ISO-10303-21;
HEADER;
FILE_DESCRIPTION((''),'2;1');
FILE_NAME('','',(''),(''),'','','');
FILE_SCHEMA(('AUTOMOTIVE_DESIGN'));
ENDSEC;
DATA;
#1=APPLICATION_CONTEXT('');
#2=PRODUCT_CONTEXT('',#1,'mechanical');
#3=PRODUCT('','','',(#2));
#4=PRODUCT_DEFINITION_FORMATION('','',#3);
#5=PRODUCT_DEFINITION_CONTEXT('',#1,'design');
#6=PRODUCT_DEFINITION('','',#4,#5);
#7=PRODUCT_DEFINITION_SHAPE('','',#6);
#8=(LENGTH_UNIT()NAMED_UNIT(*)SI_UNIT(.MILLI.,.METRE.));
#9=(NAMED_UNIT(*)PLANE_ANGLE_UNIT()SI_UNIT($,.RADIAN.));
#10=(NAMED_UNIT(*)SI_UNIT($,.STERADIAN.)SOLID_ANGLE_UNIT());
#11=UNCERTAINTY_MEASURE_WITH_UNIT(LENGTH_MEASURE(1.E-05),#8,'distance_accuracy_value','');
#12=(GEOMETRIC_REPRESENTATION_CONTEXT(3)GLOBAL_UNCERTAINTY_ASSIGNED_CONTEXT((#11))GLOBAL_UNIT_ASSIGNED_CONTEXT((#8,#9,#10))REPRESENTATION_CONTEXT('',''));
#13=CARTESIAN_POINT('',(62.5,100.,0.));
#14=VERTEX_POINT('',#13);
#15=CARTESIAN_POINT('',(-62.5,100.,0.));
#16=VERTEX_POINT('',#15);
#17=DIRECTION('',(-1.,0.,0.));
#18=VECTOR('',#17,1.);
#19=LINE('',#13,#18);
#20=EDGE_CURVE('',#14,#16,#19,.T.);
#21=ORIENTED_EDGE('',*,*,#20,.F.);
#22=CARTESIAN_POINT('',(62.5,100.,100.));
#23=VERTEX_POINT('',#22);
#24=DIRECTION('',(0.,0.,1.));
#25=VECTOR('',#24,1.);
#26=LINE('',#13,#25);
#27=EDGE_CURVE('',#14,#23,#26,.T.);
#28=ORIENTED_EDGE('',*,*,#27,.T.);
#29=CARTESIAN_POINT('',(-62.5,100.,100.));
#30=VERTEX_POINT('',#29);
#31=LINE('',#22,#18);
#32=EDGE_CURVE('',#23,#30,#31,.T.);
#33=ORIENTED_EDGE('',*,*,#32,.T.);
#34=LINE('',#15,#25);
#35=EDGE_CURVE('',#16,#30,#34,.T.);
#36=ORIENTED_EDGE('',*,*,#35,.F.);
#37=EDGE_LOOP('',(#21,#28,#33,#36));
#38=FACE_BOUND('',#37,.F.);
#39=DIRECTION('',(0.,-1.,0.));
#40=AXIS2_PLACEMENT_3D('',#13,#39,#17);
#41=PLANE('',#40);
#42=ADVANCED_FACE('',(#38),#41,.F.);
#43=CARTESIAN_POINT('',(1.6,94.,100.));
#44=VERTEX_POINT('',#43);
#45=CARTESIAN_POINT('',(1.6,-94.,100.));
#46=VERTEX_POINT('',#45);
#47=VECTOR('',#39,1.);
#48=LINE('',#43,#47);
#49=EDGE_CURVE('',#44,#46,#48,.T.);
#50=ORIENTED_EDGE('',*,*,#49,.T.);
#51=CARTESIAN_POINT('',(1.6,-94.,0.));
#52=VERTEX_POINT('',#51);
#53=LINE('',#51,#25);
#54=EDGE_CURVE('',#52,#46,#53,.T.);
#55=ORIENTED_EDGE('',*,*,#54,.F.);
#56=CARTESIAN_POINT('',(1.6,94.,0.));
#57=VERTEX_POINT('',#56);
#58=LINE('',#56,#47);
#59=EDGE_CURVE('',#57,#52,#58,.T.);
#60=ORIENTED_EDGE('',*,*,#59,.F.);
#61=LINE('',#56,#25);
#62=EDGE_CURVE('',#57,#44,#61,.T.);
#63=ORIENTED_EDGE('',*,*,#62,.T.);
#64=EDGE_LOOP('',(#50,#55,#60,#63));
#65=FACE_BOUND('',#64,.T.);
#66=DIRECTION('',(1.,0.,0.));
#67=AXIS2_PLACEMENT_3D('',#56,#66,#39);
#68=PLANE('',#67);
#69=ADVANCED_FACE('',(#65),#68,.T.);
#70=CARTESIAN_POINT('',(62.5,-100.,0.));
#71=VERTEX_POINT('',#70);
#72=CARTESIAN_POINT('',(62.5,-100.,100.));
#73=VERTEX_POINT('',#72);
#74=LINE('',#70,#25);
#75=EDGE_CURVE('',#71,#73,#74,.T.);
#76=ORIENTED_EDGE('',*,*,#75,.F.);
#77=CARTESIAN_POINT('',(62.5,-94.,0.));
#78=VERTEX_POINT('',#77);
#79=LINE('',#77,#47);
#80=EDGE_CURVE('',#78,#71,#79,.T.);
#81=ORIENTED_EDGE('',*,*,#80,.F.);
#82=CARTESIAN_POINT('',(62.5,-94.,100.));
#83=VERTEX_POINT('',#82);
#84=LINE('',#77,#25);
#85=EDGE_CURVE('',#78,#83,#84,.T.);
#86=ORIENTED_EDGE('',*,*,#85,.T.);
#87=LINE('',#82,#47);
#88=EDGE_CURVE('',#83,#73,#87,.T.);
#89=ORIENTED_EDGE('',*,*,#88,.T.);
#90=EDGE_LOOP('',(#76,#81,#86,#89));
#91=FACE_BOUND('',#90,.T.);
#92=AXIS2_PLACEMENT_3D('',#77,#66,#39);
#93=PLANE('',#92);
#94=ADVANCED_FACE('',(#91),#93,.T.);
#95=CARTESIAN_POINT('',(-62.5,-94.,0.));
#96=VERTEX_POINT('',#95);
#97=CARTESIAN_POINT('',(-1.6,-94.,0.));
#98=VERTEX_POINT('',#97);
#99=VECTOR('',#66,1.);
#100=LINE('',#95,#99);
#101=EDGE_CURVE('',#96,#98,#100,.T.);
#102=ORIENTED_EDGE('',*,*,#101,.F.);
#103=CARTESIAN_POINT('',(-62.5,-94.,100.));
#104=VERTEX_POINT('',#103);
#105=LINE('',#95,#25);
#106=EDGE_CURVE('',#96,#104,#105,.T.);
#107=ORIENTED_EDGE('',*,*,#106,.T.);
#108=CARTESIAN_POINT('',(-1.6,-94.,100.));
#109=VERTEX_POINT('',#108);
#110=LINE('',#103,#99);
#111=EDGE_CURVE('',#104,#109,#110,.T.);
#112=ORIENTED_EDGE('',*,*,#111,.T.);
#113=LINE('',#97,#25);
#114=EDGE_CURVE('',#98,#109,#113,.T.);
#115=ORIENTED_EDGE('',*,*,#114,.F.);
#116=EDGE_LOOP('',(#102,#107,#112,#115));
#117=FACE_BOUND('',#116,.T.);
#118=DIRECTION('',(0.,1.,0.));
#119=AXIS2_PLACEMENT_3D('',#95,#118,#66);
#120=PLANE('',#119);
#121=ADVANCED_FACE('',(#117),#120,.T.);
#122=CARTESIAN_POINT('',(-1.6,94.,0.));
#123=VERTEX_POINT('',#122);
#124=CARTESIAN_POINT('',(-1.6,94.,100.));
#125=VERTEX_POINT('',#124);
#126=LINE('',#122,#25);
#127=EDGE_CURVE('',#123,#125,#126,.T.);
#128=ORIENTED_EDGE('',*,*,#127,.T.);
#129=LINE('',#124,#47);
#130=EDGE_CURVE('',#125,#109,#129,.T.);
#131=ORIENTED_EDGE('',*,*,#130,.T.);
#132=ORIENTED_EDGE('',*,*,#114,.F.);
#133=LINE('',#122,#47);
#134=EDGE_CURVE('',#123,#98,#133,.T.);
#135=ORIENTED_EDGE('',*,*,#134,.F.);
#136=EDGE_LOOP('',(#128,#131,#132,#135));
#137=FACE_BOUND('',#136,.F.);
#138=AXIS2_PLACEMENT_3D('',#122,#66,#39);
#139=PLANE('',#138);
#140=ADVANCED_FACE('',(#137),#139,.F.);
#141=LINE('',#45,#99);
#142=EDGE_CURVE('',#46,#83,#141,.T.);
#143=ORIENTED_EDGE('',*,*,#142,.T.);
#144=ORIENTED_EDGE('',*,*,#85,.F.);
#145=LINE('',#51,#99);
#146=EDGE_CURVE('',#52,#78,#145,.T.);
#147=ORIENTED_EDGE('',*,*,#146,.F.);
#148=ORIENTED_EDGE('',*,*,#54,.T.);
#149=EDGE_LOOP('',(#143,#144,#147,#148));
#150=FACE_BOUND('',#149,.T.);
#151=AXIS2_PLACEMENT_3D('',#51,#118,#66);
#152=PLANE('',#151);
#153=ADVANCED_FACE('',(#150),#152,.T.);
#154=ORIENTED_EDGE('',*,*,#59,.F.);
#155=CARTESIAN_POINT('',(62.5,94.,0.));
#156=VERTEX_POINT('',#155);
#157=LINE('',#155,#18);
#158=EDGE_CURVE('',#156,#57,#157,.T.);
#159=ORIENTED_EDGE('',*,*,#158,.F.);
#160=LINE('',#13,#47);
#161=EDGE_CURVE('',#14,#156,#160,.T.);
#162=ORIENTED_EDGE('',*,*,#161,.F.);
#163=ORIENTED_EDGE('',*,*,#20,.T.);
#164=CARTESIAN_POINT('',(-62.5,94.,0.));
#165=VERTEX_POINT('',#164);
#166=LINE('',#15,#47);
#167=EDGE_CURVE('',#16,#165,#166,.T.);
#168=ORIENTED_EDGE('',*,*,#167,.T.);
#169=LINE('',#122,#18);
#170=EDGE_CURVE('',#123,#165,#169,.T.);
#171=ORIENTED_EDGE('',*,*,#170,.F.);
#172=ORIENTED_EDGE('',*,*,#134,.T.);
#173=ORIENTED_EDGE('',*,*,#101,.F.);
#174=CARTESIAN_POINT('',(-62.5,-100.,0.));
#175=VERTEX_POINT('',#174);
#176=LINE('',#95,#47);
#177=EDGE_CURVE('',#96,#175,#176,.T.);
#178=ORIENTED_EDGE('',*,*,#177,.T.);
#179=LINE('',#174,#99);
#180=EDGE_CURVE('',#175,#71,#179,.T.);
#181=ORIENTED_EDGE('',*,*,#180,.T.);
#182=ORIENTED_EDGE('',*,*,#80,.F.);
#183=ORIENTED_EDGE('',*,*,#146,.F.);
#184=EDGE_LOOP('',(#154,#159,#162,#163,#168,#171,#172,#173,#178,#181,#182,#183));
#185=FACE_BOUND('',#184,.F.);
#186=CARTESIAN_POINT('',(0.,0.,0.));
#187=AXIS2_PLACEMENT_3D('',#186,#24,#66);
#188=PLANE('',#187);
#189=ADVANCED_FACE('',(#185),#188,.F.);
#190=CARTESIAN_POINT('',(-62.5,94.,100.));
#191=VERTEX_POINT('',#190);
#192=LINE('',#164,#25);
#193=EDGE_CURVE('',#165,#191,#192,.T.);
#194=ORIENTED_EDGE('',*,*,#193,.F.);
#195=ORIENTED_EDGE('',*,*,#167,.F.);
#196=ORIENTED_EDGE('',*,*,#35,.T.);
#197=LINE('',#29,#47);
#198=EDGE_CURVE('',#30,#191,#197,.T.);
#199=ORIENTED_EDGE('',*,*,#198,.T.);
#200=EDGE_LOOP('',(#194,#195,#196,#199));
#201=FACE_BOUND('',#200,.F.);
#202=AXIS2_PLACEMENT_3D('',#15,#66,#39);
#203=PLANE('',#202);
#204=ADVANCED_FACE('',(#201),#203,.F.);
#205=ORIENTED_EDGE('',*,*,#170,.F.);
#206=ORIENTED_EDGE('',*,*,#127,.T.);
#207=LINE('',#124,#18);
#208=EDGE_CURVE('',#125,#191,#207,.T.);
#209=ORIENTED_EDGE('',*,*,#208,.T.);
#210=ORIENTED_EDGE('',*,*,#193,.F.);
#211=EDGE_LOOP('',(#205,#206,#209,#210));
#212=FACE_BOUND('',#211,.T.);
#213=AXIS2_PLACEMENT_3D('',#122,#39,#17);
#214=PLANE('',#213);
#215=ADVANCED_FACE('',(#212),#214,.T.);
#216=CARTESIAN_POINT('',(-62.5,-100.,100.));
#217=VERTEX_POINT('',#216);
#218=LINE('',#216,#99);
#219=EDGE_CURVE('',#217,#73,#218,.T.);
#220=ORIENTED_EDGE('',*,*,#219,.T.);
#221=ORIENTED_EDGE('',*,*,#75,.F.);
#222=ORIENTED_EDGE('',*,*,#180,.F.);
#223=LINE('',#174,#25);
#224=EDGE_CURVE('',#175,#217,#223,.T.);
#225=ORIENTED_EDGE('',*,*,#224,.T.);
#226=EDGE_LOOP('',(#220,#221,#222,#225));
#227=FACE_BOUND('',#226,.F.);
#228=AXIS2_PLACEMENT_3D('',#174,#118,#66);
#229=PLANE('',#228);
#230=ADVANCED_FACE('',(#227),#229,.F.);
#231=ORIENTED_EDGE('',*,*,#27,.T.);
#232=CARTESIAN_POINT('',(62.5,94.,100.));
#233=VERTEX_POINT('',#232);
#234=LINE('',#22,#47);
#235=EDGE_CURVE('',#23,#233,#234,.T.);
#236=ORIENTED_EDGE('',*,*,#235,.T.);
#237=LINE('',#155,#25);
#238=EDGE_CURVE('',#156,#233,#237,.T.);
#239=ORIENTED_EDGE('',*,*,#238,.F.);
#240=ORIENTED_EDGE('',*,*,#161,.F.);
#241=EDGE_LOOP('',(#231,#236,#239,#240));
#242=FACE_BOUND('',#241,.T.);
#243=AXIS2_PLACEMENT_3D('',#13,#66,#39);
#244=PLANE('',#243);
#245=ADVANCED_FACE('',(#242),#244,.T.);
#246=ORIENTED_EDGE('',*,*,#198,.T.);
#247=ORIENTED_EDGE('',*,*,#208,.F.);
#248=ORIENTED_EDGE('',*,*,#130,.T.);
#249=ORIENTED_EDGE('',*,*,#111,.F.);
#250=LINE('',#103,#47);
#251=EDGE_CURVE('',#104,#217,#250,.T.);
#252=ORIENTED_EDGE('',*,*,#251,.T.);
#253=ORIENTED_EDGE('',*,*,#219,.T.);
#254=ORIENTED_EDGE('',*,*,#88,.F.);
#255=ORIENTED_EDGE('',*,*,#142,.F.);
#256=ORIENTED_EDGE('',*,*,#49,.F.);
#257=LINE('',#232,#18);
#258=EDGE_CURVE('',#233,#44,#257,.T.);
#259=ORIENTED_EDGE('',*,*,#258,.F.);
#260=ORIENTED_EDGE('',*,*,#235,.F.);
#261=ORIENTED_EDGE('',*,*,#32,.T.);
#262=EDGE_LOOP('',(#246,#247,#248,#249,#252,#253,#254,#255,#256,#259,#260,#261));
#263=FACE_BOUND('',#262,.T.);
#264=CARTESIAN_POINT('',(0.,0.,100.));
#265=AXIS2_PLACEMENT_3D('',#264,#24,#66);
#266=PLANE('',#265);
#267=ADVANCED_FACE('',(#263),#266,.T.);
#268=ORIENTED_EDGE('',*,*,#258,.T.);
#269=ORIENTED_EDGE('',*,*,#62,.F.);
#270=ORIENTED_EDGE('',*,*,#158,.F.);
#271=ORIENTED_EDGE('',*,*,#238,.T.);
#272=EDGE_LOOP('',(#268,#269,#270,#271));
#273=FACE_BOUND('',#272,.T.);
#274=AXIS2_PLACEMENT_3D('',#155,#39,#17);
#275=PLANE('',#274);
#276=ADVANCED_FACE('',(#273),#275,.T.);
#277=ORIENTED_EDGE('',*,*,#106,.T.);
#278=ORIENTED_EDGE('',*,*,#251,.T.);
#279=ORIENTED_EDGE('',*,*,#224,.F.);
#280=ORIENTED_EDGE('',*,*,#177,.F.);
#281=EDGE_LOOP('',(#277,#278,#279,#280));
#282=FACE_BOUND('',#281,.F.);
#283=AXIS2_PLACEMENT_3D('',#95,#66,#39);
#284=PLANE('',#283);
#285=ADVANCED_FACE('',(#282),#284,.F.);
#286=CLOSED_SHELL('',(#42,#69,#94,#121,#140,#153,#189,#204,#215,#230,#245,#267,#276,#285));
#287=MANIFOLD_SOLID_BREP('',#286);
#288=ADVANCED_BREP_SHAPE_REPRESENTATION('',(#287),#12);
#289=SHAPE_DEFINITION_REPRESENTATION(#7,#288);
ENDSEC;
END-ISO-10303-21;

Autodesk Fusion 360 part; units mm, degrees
sketch "スケッチ1" plane through (0, 0, 0) normal (0, 0, 1) x (1, 0, 0)
  line L0 (62.5, 100) -> (-62.5, 100)
  line L1 (-62.5, -100) -> (62.5, -100)
  line L2 (1.6, 94) -> (1.6, -94)
  line L3 (-1.6, 94) -> (-1.6, -94)
  line L4 (62.5, 94) -> (1.6, 94)
  line L5 (-1.6, 94) -> (-62.5, 94)
  line L6 (-62.5, -94) -> (-1.6, -94)
  line L7 (1.6, -94) -> (62.5, -94)
  line L8 (-62.5, -94) -> (-62.5, -100)
  line L9 (62.5, -94) -> (62.5, -100)
  line L10 (-62.5, 100) -> (-62.5, 94)
  line L11 (62.5, 100) -> (62.5, 94)
  dimension "d1" = 125
  dimension "d2" = 200
extrude "押し出し1" add sketch "スケッチ1" along normal blind 100
